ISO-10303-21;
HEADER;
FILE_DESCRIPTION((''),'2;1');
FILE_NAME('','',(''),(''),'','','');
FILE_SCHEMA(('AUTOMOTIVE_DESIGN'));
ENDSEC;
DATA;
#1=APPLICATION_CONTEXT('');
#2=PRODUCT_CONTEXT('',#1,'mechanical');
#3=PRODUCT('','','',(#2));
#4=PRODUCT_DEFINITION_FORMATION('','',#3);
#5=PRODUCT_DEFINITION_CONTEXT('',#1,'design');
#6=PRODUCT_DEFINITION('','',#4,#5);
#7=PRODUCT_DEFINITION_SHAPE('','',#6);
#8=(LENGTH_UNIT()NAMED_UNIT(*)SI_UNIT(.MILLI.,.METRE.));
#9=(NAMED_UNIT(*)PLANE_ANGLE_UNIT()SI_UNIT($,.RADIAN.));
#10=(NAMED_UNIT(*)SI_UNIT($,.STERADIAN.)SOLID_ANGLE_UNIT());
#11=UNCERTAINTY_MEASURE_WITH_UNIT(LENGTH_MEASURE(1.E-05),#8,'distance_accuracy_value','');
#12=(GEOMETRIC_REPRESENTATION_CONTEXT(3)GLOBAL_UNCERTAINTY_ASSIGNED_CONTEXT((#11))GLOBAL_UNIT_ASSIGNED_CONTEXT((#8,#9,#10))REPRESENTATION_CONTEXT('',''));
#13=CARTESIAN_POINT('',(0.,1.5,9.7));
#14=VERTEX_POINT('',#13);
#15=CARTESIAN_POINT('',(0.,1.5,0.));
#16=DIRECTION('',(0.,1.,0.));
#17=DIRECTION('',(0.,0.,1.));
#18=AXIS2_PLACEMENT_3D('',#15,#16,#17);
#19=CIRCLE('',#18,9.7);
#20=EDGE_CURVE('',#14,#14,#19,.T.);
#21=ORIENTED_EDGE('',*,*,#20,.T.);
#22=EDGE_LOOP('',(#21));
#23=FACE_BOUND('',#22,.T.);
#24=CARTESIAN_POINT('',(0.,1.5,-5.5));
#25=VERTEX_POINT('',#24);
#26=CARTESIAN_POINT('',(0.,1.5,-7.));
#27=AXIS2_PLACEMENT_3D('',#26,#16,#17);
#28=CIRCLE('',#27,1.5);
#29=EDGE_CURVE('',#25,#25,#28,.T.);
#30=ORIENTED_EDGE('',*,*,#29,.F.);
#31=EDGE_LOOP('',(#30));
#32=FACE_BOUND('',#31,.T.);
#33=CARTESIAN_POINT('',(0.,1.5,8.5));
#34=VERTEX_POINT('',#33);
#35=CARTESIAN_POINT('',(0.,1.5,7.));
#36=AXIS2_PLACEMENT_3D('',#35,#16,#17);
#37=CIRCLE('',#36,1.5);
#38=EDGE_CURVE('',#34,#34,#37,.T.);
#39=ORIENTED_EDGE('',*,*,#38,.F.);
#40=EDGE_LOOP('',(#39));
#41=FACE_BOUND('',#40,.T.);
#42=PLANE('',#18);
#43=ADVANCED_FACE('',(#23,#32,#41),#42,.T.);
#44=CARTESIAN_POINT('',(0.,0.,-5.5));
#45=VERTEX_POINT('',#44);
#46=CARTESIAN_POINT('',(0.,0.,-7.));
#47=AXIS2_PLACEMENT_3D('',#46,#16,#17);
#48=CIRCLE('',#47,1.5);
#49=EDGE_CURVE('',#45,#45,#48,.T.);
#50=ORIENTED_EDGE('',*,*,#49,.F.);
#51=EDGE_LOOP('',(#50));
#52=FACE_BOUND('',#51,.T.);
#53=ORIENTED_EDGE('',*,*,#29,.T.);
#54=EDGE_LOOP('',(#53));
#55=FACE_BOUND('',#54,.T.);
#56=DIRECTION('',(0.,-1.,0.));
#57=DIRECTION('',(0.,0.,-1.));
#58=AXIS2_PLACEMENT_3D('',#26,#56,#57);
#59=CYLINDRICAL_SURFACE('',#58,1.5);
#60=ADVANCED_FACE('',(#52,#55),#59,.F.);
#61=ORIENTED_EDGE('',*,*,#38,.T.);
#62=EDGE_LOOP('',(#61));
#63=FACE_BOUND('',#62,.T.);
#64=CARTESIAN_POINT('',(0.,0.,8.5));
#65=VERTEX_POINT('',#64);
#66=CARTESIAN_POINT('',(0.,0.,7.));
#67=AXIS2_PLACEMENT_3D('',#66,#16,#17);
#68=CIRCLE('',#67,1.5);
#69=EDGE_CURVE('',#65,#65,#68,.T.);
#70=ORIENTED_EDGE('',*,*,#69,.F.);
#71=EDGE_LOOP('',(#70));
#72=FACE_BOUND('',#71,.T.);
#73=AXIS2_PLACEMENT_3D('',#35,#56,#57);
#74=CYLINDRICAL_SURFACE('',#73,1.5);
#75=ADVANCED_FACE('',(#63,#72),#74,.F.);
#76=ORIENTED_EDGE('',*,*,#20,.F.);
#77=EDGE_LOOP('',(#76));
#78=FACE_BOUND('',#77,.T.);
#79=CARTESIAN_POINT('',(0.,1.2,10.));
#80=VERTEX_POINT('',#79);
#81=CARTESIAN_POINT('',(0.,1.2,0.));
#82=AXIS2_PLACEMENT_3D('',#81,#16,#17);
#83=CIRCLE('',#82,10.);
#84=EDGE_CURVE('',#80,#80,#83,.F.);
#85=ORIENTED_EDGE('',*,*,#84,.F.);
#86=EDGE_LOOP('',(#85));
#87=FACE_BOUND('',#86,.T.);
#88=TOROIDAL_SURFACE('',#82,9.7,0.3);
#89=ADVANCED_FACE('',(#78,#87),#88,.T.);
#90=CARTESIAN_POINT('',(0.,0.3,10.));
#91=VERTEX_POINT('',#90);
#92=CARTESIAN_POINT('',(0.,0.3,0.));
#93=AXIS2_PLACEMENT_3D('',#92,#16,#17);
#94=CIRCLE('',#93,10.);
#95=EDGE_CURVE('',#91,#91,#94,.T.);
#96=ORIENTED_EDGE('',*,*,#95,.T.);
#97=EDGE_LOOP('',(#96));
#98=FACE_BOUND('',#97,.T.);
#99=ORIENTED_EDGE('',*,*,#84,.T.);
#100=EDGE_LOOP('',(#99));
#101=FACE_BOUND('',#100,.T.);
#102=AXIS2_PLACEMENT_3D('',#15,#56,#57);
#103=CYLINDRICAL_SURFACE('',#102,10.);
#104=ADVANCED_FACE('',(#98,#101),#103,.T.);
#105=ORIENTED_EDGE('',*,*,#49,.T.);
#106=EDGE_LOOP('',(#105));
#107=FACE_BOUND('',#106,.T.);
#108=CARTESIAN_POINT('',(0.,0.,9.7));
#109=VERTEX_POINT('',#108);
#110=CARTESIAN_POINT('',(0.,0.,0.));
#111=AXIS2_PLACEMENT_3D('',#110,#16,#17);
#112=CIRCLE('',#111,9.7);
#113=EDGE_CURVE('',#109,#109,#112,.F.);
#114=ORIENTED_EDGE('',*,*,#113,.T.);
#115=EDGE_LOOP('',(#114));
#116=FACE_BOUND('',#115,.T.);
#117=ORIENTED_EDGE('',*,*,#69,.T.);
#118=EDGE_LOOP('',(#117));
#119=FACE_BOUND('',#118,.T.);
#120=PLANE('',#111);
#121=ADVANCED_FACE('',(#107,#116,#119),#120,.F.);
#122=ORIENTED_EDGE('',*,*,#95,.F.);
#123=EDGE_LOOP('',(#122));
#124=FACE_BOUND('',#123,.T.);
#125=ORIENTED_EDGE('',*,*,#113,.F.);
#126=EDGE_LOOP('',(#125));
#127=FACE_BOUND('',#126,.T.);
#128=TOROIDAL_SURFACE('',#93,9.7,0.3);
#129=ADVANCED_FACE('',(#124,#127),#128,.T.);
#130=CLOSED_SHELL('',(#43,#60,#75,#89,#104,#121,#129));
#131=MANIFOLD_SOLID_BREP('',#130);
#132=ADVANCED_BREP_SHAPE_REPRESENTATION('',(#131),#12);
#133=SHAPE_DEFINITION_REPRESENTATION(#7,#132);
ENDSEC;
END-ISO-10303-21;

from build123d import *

# Parameters (mm, degrees)
SKETCH_1_R      = 10
SKETCH_1_R_2    = 1.5
EXTRUDE_1_DEPTH = 1.5
FILLET_1_R      = 0.3


with BuildPart() as part:
    # 草图1 → 凸台-拉伸1 (new body)
    with BuildSketch(Plane(origin=(0, 0, 0), x_dir=(1, 0, 0), z_dir=(0, 1, 0))):
        with Locations(Location((0, 0, 0), (0, 0, 270))):
            Circle(SKETCH_1_R)
        with Locations(Location((0, 7, 0), (0, 0, 270))):
            Circle(SKETCH_1_R_2, mode=Mode.SUBTRACT)
        with Locations(Location((0, -7, 0), (0, 0, 270))):
            Circle(SKETCH_1_R_2, mode=Mode.SUBTRACT)
    extrude(amount=EXTRUDE_1_DEPTH)

    # 圆角1
    fillet_1_edges = [part.edges().sort_by_distance(p)[0] for p in [
        (0, 0, -10),
        (0, 1.5, -10),
    ]]
    fillet(fillet_1_edges, radius=FILLET_1_R)


solid = part.part
